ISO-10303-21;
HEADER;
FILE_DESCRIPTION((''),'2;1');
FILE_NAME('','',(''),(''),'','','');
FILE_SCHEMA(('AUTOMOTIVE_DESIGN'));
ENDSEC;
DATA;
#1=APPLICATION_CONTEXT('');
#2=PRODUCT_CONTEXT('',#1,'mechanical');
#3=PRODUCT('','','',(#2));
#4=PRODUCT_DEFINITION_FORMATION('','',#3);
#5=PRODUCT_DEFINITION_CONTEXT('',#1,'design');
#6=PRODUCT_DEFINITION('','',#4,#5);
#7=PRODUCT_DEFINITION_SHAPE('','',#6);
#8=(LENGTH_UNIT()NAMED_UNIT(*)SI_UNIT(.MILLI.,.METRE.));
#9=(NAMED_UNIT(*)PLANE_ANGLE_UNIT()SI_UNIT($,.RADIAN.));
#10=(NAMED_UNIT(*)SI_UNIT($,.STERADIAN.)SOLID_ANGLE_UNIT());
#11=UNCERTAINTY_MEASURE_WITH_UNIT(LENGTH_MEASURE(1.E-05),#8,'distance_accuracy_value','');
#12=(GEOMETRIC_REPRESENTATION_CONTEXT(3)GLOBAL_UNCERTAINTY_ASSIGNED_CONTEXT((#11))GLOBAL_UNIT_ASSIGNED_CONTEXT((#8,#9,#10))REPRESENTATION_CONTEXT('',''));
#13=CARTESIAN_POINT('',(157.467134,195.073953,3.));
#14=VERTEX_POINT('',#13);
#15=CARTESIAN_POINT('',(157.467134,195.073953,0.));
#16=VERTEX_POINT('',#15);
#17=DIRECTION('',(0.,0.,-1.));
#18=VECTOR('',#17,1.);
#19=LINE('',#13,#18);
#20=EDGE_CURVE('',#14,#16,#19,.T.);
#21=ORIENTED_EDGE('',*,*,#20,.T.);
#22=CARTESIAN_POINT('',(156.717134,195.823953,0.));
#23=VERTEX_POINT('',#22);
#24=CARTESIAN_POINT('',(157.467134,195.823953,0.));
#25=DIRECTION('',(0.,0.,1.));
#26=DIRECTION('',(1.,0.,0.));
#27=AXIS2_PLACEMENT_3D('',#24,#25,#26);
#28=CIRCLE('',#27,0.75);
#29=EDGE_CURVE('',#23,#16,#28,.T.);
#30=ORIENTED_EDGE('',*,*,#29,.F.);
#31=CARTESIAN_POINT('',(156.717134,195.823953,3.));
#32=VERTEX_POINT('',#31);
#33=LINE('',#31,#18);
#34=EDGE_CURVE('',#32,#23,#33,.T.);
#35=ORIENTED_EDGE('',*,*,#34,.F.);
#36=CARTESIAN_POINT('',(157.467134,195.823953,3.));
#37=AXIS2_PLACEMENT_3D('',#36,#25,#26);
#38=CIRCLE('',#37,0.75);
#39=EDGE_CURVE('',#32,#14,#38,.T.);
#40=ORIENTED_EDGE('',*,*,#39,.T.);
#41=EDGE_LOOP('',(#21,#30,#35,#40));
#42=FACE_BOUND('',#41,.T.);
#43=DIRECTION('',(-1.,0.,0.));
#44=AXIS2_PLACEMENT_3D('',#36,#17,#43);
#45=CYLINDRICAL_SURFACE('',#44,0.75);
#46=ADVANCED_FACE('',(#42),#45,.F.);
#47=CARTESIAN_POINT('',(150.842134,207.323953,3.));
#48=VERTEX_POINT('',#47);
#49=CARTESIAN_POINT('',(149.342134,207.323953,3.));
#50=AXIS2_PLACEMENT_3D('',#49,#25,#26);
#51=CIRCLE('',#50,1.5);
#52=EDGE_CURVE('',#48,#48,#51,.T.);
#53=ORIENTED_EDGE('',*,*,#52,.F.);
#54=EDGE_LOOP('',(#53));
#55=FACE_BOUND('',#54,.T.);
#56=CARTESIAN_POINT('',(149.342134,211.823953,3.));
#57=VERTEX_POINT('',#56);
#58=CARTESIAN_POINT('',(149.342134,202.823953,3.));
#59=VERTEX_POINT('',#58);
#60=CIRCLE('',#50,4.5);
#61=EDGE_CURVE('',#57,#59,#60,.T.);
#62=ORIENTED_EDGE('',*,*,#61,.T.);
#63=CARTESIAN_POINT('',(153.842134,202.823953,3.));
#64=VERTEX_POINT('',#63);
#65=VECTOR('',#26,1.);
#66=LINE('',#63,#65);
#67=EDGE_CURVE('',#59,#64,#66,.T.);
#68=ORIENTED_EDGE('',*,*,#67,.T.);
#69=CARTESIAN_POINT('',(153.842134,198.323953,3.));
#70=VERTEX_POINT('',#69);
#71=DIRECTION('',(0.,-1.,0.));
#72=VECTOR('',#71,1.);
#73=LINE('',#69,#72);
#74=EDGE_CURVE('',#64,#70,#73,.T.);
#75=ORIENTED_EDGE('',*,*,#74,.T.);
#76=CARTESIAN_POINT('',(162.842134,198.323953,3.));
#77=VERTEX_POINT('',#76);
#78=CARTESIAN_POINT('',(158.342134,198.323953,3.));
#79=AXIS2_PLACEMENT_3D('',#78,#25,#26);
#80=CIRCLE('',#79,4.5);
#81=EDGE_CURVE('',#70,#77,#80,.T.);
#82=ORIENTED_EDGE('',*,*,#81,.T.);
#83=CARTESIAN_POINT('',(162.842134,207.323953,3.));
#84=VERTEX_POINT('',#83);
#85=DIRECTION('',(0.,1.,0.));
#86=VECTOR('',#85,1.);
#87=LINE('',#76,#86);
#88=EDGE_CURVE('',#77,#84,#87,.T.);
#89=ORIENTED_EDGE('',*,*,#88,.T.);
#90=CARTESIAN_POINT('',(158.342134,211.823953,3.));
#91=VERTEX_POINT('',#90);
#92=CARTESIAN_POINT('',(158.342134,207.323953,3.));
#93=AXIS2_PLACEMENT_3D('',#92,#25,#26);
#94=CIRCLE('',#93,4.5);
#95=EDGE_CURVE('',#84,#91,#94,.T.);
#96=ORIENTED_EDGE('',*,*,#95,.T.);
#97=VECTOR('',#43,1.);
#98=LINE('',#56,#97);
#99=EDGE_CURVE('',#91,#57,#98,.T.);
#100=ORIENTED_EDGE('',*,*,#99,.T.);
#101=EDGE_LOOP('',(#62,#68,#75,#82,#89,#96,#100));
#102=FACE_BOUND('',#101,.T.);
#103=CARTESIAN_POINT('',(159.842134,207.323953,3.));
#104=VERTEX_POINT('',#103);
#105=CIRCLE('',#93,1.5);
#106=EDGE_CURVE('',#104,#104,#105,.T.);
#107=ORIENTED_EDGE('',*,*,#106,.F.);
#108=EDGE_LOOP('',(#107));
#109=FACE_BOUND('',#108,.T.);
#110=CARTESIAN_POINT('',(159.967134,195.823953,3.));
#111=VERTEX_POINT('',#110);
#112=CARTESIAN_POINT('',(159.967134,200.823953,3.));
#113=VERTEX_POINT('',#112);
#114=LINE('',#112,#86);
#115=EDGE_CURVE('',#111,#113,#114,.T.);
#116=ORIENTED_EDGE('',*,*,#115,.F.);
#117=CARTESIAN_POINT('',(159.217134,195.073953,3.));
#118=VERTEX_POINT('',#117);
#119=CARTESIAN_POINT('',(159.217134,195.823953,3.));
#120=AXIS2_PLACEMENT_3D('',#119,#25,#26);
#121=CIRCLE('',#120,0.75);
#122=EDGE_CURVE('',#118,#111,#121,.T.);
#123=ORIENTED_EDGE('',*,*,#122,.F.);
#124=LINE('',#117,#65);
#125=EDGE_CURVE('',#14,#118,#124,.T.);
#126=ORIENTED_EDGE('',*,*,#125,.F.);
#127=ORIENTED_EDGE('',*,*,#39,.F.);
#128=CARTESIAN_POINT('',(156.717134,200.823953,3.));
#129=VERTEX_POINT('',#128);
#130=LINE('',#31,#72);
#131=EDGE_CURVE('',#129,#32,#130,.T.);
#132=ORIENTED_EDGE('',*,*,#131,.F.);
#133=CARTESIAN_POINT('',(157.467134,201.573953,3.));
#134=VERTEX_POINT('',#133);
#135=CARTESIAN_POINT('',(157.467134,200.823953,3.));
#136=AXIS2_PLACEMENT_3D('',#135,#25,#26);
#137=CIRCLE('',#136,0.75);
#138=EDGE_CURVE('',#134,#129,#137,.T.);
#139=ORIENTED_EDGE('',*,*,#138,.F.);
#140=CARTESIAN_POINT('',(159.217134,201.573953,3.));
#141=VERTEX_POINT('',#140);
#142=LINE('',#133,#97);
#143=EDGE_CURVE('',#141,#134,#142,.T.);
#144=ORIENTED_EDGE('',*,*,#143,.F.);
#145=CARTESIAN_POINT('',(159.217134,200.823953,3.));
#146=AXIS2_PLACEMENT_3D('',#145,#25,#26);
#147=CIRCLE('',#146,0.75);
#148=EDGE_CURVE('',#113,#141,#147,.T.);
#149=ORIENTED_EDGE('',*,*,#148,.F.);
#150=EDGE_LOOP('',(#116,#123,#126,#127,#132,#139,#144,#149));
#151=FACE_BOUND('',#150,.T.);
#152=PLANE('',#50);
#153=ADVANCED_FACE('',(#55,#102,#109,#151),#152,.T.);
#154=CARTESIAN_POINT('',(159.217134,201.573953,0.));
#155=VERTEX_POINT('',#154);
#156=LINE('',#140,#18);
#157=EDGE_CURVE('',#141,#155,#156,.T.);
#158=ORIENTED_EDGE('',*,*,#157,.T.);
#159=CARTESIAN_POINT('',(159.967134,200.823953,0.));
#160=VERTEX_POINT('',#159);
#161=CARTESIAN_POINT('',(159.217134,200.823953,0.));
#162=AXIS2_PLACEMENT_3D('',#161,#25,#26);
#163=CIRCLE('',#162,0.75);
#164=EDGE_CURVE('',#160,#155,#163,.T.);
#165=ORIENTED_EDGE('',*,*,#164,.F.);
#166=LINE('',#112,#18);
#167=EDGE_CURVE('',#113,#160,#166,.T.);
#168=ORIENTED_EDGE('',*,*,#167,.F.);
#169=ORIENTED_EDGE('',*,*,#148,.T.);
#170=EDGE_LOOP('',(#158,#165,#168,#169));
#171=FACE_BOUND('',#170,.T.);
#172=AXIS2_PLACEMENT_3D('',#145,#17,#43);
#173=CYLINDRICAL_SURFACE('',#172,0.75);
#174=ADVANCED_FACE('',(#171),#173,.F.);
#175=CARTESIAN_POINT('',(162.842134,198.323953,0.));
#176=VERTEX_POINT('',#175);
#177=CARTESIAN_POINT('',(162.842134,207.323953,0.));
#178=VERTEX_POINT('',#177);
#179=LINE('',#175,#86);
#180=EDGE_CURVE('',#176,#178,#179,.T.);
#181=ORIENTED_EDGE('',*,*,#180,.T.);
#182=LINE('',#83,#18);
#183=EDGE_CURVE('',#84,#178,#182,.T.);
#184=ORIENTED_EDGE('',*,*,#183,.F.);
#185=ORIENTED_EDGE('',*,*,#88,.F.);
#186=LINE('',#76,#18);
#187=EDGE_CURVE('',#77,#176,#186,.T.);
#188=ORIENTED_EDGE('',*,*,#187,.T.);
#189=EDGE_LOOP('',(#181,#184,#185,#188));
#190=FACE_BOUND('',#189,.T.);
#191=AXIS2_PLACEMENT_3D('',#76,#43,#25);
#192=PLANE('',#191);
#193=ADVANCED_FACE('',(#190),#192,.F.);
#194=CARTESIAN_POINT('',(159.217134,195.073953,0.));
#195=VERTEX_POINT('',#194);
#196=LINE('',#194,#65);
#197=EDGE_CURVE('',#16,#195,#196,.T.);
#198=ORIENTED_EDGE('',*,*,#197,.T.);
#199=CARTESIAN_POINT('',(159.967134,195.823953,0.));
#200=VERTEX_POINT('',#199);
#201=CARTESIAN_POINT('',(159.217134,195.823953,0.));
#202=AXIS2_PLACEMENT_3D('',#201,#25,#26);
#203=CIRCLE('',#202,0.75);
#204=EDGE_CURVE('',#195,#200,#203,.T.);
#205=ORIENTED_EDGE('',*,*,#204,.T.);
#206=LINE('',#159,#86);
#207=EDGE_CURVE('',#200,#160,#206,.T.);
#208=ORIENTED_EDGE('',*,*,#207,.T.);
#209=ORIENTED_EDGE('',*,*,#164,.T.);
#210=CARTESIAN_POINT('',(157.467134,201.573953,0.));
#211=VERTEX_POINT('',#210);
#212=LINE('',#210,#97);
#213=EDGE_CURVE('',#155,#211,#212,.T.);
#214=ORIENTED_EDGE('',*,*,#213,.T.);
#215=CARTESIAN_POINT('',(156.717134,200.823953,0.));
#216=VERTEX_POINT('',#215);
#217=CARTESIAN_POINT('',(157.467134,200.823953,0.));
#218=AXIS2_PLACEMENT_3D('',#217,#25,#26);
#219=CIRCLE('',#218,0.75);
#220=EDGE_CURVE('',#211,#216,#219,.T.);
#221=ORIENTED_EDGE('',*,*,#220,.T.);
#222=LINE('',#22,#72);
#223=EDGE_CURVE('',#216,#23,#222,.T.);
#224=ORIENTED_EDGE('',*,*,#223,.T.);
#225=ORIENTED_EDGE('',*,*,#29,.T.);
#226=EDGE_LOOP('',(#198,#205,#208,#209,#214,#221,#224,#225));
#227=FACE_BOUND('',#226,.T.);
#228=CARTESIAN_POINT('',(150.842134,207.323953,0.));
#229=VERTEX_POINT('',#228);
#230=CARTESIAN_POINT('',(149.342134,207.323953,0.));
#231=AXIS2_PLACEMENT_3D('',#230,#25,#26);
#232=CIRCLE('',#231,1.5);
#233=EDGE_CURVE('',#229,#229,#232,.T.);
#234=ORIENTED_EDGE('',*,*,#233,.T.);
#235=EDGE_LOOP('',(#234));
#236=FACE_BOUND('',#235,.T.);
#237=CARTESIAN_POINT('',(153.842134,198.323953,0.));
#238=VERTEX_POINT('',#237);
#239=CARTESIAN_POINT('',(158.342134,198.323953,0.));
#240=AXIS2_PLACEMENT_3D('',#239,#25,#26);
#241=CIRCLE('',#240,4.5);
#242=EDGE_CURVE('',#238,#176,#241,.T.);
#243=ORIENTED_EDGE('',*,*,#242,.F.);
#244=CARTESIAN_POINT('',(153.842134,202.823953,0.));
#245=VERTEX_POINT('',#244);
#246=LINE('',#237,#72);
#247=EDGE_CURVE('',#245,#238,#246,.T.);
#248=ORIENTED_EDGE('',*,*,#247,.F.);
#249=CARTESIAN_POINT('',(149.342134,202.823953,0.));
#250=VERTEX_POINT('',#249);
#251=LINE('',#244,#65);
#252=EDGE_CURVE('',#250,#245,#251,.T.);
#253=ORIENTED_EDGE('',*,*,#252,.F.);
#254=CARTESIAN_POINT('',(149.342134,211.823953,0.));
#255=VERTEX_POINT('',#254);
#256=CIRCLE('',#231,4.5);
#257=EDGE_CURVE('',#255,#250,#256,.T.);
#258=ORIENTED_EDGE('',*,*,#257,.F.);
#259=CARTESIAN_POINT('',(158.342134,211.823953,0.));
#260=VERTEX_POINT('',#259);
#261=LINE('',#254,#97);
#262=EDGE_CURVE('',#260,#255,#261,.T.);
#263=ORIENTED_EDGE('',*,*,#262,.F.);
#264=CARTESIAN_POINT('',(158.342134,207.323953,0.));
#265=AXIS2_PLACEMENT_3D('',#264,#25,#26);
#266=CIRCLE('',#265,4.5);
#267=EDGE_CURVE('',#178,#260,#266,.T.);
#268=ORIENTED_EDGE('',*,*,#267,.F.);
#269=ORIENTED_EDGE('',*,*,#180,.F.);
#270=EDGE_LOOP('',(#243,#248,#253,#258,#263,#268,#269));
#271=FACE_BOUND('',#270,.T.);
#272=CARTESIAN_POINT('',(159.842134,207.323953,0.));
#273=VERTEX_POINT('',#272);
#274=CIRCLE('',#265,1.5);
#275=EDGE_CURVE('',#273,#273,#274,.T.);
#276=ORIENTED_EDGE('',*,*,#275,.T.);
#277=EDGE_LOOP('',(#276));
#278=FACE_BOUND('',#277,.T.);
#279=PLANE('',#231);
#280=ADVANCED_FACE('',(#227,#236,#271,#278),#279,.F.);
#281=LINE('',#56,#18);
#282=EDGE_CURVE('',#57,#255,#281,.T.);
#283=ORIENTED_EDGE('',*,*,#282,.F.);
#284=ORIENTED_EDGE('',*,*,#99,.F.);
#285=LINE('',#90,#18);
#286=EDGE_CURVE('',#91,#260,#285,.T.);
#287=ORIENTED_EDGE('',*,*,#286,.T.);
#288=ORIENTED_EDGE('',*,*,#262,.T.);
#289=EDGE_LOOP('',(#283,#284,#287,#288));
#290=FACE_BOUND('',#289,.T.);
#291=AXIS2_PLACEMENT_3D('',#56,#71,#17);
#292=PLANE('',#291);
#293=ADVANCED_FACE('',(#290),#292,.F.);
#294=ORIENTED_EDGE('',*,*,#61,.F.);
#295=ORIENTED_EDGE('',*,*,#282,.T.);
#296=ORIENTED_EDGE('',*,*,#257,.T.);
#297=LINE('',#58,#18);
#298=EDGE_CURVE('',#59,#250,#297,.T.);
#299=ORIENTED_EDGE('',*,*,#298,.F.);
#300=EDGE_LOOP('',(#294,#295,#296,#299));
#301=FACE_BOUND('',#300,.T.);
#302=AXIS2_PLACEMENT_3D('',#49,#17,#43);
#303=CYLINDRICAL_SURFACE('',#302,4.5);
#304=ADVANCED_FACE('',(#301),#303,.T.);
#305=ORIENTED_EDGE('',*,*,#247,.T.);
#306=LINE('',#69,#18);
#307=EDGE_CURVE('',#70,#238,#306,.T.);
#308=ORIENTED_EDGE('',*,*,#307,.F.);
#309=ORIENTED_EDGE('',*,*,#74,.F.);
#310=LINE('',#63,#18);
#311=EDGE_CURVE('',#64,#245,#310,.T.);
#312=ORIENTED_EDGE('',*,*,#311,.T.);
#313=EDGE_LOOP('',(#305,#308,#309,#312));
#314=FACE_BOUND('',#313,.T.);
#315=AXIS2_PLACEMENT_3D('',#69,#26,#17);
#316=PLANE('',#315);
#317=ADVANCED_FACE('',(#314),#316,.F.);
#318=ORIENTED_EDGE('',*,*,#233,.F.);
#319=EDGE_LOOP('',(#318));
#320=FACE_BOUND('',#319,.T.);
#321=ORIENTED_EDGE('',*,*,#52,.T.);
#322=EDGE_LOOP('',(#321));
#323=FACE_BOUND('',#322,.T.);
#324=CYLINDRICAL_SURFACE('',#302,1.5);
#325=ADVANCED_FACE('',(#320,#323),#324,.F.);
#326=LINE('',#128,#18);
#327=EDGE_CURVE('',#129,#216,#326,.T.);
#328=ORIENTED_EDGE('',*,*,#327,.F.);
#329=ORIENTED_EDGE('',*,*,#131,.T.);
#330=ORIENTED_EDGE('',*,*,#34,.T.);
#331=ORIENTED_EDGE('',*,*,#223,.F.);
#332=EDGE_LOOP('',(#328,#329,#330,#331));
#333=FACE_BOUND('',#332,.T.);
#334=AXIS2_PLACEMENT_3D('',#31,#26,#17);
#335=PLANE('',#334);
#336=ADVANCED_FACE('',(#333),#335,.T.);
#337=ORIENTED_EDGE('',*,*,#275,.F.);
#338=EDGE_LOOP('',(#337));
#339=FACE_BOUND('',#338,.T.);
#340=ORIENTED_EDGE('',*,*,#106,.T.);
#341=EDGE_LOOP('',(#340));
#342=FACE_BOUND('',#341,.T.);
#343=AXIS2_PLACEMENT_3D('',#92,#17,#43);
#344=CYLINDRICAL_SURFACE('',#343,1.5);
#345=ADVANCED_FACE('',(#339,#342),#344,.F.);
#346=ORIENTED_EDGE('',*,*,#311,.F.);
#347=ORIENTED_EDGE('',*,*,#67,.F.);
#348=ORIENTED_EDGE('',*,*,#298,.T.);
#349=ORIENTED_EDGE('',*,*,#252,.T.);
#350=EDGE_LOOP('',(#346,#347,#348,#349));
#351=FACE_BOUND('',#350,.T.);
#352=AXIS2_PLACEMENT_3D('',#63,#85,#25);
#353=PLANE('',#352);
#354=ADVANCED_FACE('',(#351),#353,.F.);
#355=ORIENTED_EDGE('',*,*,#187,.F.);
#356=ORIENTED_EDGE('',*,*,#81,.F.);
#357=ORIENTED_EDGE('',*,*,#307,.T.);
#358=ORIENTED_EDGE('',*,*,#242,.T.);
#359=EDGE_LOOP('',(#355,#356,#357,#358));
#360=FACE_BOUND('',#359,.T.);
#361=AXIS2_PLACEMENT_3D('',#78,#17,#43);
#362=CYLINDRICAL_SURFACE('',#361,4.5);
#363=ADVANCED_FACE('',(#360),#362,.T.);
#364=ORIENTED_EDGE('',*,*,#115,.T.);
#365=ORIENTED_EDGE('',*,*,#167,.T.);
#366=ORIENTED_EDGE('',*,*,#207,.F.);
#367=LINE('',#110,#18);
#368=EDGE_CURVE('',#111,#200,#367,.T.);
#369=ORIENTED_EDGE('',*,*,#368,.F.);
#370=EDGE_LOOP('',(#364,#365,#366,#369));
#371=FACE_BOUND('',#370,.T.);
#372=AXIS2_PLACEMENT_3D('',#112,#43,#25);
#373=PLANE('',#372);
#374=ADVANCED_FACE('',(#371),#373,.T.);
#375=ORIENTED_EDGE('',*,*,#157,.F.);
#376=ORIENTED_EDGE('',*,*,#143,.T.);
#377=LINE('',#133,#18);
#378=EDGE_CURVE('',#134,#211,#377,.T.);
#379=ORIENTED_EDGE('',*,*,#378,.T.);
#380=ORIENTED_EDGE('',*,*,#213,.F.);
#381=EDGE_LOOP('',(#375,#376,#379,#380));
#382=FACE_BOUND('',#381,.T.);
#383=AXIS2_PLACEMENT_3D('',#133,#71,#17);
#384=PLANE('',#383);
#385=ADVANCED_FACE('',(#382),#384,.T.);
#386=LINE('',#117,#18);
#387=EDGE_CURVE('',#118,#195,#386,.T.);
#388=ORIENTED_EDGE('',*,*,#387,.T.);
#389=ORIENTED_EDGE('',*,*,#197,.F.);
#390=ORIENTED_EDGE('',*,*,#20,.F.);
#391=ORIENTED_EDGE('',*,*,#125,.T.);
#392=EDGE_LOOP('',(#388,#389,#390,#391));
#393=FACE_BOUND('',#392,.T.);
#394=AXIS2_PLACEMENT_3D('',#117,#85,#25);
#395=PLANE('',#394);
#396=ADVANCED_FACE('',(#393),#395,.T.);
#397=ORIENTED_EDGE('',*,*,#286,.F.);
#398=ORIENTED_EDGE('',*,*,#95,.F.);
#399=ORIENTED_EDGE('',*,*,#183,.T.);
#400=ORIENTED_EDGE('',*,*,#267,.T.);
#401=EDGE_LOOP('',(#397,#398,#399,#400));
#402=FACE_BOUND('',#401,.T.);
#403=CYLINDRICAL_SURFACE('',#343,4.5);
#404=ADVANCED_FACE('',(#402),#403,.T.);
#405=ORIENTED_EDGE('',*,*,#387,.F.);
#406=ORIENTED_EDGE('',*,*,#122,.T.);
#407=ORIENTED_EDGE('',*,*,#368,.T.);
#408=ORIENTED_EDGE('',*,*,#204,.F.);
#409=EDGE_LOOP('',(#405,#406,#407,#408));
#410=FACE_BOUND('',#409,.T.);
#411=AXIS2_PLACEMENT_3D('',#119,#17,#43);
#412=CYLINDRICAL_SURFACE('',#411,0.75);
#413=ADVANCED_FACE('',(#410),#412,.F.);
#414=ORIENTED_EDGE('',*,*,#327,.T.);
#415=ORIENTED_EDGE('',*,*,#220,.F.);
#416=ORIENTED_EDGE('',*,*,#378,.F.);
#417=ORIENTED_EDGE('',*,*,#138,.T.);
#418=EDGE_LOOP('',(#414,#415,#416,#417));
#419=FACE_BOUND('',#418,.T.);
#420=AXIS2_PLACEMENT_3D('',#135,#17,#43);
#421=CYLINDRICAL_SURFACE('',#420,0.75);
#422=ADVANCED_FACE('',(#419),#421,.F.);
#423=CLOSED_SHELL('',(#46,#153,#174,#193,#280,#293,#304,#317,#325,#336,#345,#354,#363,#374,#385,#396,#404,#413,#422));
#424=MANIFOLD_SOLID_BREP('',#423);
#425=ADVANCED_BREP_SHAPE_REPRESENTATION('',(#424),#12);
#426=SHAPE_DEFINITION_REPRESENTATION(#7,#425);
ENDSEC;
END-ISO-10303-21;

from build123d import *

# Parameters (mm, degrees)
MODEL_R                 = 1.5
SALIENTE_EXTRUIR1_DEPTH = 3


with BuildPart() as part:
    # Model → Saliente-Extruir1 (new body)
    with BuildSketch(Plane.XY):
        with BuildLine():
            Line((149.34213351, 211.823953209), (158.34213351, 211.823953209))
            ThreePointArc((158.34213351, 211.823953209), (161.524114025, 210.505933724), (162.84213351, 207.323953209))
            Line((162.84213351, 207.323953209), (162.84213351, 198.323953209))
            ThreePointArc((162.84213351, 198.323953209), (158.34213351, 193.823953209), (153.84213351, 198.323953209))
            Line((153.84213351, 198.323953209), (153.84213351, 202.823953209))
            Line((153.84213351, 202.823953209), (149.34213351, 202.823953209))
            ThreePointArc((149.34213351, 202.823953209), (144.84213351, 207.323953209), (149.34213351, 211.823953209))
        make_face()
        with Locations((149.34213351, 207.323953209)):
            Circle(MODEL_R, mode=Mode.SUBTRACT)
        with Locations((158.34213351, 207.323953209)):
            Circle(MODEL_R, mode=Mode.SUBTRACT)
        with BuildLine():
            Line((156.71713351, 195.823953209), (156.71713351, 200.823953209))
            ThreePointArc((156.71713351, 200.823953209), (156.936803424, 201.354283295), (157.46713351, 201.573953209))
            Line((157.46713351, 201.573953209), (159.21713351, 201.573953209))
            ThreePointArc((159.21713351, 201.573953209), (159.747463595, 201.354283295), (159.96713351, 200.823953209))
            Line((159.96713351, 200.823953209), (159.96713351, 195.823953209))
            ThreePointArc((159.96713351, 195.823953209), (159.747463595, 195.293623123), (159.21713351, 195.073953209))
            Line((159.21713351, 195.073953209), (157.46713351, 195.073953209))
            ThreePointArc((157.46713351, 195.073953209), (156.936803424, 195.293623123), (156.71713351, 195.823953209))
        make_face(mode=Mode.SUBTRACT)
    extrude(amount=SALIENTE_EXTRUIR1_DEPTH)


solid = part.part
